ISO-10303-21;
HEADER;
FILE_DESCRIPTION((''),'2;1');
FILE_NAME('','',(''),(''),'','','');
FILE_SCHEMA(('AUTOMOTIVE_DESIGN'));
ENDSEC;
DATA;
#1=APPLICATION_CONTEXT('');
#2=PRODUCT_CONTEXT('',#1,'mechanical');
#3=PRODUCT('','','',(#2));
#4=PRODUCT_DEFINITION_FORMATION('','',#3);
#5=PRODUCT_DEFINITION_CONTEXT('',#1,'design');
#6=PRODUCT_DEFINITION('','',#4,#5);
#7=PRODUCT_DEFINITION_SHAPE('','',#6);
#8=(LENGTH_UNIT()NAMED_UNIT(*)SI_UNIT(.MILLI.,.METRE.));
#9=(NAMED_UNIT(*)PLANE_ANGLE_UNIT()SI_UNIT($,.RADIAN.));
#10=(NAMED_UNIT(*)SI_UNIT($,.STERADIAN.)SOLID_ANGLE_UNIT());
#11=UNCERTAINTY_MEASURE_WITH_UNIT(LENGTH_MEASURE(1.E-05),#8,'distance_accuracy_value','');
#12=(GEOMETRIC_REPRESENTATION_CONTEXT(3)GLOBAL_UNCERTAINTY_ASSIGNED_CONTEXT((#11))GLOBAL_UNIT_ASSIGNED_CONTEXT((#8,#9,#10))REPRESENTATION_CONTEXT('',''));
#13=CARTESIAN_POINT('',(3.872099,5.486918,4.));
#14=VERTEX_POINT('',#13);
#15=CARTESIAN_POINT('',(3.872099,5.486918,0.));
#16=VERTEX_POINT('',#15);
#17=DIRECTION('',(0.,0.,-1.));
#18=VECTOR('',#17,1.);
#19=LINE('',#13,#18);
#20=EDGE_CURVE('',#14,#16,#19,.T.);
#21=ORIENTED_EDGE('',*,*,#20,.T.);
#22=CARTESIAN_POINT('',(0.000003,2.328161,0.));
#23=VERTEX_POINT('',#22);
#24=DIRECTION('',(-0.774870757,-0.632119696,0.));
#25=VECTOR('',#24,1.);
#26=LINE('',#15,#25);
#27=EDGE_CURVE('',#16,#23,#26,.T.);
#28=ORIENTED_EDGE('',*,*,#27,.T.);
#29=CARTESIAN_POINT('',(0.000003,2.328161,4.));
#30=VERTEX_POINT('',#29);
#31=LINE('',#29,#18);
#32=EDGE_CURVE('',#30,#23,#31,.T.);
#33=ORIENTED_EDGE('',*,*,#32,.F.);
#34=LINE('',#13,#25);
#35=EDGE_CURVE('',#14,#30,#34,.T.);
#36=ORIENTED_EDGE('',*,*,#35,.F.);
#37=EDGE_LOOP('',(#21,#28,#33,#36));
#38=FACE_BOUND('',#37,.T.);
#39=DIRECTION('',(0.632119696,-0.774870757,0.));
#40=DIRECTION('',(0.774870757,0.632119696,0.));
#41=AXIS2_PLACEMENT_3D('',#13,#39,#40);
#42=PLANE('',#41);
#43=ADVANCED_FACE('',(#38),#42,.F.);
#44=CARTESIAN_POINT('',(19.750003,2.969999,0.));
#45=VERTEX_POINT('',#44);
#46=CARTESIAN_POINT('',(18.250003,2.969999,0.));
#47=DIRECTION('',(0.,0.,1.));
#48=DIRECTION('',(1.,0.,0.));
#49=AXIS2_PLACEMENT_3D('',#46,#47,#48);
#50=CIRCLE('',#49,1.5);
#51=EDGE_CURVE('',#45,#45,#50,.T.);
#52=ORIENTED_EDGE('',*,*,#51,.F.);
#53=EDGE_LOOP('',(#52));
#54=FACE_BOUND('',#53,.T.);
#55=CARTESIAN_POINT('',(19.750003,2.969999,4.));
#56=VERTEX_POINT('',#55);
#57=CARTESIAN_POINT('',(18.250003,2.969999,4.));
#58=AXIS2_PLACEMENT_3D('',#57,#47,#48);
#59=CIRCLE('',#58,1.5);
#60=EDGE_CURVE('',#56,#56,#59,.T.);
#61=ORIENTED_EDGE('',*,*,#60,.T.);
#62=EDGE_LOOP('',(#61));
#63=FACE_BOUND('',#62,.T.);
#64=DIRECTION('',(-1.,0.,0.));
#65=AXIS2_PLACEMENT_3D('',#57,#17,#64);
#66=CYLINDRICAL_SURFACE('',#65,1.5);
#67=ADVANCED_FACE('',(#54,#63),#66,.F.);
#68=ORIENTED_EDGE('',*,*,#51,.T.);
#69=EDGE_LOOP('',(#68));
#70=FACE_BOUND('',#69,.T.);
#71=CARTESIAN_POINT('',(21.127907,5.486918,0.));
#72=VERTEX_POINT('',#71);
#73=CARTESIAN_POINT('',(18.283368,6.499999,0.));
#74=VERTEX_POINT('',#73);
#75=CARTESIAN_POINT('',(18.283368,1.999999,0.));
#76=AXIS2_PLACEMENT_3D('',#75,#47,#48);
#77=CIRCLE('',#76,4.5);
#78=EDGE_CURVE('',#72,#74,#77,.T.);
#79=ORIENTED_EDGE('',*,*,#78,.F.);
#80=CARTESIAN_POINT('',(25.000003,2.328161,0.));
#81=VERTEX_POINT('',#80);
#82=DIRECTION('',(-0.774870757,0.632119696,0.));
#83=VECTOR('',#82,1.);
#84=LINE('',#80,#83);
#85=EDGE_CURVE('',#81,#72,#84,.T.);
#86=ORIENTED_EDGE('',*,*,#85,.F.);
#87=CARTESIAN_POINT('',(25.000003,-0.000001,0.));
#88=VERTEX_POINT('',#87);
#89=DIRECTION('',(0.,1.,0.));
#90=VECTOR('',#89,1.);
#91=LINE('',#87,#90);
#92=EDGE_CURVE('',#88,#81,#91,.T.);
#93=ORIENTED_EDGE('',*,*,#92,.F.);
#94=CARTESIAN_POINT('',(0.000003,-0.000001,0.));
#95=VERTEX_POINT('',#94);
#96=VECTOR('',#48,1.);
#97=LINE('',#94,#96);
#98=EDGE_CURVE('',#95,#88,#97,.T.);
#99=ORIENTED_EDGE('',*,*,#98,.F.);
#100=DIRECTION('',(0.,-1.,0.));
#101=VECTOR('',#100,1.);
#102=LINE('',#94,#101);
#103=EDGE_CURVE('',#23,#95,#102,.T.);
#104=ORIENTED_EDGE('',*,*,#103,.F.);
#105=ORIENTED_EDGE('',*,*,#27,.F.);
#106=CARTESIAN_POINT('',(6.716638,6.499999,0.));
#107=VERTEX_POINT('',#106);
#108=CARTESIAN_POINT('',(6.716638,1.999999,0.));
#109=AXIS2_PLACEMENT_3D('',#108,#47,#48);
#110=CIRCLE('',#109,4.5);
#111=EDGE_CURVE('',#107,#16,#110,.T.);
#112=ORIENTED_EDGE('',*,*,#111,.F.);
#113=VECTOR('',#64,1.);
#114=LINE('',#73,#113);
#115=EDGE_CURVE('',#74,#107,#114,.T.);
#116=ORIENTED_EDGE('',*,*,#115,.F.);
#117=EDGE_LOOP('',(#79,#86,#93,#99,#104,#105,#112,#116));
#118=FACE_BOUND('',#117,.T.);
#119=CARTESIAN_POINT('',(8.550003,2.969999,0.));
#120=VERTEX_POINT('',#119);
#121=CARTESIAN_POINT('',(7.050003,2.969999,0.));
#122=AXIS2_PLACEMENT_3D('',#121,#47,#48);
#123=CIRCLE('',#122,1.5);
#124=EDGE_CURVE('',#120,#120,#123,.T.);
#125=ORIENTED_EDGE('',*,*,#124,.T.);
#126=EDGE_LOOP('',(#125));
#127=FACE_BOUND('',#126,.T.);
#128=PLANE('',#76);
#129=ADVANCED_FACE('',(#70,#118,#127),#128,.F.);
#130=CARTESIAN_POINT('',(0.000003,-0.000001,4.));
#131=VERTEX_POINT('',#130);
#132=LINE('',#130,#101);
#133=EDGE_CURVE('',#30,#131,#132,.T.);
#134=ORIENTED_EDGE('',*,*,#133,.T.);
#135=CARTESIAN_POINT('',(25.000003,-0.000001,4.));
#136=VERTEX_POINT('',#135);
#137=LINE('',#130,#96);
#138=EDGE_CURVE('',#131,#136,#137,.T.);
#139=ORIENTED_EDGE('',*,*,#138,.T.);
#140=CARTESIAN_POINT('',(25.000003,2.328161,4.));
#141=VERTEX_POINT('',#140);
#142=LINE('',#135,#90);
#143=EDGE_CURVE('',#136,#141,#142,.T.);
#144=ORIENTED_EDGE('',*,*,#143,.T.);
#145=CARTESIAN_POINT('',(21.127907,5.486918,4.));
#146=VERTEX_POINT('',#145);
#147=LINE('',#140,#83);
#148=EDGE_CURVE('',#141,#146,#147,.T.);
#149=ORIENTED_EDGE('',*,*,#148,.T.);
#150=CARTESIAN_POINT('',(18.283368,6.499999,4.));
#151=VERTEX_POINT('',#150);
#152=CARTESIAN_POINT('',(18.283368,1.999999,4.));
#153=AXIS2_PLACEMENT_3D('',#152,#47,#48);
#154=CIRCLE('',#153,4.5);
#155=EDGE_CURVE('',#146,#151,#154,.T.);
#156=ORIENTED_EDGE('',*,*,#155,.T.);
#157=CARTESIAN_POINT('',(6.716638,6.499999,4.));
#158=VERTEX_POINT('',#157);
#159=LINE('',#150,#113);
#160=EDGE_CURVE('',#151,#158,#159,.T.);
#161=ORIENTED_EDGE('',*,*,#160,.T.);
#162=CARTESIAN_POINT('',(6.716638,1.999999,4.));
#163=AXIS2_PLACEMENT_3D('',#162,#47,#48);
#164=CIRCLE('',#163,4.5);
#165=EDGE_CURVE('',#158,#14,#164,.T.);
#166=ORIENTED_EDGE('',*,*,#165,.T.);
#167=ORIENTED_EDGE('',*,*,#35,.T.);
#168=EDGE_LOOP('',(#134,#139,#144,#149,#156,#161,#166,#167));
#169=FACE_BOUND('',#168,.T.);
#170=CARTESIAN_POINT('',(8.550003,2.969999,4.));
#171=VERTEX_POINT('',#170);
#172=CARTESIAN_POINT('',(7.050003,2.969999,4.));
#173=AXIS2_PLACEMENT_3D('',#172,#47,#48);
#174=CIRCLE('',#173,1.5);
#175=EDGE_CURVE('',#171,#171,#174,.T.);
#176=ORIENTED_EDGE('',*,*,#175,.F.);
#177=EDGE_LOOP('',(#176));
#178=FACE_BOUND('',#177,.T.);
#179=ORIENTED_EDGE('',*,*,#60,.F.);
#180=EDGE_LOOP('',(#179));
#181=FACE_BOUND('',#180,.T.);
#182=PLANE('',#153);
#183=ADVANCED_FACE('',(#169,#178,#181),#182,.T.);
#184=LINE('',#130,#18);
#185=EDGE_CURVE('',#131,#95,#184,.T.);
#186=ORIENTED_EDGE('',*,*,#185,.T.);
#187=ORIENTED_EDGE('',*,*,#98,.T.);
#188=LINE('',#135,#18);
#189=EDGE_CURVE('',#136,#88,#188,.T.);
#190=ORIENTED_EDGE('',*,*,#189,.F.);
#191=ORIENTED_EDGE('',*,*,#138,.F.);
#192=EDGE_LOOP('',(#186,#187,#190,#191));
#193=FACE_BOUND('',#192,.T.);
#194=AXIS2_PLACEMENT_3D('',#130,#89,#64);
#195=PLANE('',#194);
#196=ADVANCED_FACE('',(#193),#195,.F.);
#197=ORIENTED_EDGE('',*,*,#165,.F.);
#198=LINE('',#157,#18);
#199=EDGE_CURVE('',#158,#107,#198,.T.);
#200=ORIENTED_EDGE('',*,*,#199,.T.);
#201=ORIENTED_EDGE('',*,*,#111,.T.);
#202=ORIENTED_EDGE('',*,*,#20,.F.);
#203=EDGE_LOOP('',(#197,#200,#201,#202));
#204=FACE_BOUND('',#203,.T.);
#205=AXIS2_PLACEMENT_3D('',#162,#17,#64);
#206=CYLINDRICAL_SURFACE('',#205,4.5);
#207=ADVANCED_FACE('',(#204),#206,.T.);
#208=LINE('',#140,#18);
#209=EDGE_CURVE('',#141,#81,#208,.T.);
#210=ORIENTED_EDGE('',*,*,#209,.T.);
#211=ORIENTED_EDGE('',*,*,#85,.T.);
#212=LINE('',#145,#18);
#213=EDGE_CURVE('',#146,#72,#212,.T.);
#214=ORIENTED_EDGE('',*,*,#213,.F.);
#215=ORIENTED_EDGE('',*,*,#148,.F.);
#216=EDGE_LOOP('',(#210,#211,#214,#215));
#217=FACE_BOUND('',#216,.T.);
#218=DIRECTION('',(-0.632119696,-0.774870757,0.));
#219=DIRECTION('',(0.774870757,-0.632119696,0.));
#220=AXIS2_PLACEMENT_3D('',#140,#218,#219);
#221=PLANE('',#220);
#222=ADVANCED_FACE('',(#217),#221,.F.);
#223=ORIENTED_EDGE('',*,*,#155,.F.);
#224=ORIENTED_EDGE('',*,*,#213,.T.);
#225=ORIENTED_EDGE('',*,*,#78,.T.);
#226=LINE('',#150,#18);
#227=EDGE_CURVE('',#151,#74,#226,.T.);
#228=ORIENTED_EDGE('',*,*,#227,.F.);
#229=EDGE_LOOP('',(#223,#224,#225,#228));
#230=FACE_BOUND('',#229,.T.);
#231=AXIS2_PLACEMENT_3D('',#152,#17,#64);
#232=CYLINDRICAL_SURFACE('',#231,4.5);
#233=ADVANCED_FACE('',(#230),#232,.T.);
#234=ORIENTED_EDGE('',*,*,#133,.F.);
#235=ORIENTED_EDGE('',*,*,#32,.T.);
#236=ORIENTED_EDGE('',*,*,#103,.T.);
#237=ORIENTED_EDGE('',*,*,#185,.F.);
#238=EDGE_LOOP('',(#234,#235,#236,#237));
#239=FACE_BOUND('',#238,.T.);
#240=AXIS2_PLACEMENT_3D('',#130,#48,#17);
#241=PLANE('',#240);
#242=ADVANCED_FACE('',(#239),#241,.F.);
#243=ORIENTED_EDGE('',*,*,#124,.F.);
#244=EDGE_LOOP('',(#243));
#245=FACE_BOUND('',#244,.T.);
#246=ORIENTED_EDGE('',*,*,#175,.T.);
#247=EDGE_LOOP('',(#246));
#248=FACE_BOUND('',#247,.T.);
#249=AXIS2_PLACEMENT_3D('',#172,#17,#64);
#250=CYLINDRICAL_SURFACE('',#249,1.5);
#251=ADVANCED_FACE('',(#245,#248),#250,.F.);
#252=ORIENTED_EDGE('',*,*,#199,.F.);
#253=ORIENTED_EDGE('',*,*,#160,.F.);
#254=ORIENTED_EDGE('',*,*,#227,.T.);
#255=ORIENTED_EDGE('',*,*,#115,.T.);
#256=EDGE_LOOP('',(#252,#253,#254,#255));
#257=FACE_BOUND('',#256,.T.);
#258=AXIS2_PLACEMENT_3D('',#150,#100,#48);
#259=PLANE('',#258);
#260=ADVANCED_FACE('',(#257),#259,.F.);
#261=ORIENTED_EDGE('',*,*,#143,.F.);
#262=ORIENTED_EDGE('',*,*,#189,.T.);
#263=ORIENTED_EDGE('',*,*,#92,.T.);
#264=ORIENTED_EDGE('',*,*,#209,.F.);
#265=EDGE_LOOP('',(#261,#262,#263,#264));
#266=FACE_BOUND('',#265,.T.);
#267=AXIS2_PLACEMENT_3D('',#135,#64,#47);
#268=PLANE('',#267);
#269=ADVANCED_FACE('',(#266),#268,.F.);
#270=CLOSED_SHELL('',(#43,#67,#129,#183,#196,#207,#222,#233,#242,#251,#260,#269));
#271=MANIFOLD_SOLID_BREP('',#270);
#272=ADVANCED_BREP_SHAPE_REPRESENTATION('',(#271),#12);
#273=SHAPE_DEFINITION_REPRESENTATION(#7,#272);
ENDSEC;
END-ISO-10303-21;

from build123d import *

# Parameters (mm, degrees)
SKETCH1_R           = 1.5
BOSS_EXTRUDE1_DEPTH = 4


with BuildPart() as part:
    # Sketch1 → Boss-Extrude1 (new body)
    with BuildSketch(Plane.XY):
        with BuildLine():
            Line((18.283368275, 6.499999319), (6.716637678, 6.499999319))
            ThreePointArc((6.716637678, 6.499999319), (5.206858361, 6.239169805), (3.872099046, 5.486917725))
            Line((3.872099046, 5.486917725), (2.976e-06, 2.328161032))
            Line((2.976e-06, 2.328161032), (2.976e-06, -6.81e-07))
            Line((2.976e-06, -6.81e-07), (25.000002976, -6.81e-07))
            Line((25.000002976, -6.81e-07), (25.000002976, 2.328161032))
            Line((25.000002976, 2.328161032), (21.127906906, 5.486917725))
            ThreePointArc((21.127906906, 5.486917725), (19.793147591, 6.239169805), (18.283368275, 6.499999319))
        make_face()
        with Locations((7.050002976, 2.969999319)):
            Circle(SKETCH1_R, mode=Mode.SUBTRACT)
        with Locations((18.250002976, 2.969999319)):
            Circle(SKETCH1_R, mode=Mode.SUBTRACT)
    extrude(amount=BOSS_EXTRUDE1_DEPTH)


solid = part.part
